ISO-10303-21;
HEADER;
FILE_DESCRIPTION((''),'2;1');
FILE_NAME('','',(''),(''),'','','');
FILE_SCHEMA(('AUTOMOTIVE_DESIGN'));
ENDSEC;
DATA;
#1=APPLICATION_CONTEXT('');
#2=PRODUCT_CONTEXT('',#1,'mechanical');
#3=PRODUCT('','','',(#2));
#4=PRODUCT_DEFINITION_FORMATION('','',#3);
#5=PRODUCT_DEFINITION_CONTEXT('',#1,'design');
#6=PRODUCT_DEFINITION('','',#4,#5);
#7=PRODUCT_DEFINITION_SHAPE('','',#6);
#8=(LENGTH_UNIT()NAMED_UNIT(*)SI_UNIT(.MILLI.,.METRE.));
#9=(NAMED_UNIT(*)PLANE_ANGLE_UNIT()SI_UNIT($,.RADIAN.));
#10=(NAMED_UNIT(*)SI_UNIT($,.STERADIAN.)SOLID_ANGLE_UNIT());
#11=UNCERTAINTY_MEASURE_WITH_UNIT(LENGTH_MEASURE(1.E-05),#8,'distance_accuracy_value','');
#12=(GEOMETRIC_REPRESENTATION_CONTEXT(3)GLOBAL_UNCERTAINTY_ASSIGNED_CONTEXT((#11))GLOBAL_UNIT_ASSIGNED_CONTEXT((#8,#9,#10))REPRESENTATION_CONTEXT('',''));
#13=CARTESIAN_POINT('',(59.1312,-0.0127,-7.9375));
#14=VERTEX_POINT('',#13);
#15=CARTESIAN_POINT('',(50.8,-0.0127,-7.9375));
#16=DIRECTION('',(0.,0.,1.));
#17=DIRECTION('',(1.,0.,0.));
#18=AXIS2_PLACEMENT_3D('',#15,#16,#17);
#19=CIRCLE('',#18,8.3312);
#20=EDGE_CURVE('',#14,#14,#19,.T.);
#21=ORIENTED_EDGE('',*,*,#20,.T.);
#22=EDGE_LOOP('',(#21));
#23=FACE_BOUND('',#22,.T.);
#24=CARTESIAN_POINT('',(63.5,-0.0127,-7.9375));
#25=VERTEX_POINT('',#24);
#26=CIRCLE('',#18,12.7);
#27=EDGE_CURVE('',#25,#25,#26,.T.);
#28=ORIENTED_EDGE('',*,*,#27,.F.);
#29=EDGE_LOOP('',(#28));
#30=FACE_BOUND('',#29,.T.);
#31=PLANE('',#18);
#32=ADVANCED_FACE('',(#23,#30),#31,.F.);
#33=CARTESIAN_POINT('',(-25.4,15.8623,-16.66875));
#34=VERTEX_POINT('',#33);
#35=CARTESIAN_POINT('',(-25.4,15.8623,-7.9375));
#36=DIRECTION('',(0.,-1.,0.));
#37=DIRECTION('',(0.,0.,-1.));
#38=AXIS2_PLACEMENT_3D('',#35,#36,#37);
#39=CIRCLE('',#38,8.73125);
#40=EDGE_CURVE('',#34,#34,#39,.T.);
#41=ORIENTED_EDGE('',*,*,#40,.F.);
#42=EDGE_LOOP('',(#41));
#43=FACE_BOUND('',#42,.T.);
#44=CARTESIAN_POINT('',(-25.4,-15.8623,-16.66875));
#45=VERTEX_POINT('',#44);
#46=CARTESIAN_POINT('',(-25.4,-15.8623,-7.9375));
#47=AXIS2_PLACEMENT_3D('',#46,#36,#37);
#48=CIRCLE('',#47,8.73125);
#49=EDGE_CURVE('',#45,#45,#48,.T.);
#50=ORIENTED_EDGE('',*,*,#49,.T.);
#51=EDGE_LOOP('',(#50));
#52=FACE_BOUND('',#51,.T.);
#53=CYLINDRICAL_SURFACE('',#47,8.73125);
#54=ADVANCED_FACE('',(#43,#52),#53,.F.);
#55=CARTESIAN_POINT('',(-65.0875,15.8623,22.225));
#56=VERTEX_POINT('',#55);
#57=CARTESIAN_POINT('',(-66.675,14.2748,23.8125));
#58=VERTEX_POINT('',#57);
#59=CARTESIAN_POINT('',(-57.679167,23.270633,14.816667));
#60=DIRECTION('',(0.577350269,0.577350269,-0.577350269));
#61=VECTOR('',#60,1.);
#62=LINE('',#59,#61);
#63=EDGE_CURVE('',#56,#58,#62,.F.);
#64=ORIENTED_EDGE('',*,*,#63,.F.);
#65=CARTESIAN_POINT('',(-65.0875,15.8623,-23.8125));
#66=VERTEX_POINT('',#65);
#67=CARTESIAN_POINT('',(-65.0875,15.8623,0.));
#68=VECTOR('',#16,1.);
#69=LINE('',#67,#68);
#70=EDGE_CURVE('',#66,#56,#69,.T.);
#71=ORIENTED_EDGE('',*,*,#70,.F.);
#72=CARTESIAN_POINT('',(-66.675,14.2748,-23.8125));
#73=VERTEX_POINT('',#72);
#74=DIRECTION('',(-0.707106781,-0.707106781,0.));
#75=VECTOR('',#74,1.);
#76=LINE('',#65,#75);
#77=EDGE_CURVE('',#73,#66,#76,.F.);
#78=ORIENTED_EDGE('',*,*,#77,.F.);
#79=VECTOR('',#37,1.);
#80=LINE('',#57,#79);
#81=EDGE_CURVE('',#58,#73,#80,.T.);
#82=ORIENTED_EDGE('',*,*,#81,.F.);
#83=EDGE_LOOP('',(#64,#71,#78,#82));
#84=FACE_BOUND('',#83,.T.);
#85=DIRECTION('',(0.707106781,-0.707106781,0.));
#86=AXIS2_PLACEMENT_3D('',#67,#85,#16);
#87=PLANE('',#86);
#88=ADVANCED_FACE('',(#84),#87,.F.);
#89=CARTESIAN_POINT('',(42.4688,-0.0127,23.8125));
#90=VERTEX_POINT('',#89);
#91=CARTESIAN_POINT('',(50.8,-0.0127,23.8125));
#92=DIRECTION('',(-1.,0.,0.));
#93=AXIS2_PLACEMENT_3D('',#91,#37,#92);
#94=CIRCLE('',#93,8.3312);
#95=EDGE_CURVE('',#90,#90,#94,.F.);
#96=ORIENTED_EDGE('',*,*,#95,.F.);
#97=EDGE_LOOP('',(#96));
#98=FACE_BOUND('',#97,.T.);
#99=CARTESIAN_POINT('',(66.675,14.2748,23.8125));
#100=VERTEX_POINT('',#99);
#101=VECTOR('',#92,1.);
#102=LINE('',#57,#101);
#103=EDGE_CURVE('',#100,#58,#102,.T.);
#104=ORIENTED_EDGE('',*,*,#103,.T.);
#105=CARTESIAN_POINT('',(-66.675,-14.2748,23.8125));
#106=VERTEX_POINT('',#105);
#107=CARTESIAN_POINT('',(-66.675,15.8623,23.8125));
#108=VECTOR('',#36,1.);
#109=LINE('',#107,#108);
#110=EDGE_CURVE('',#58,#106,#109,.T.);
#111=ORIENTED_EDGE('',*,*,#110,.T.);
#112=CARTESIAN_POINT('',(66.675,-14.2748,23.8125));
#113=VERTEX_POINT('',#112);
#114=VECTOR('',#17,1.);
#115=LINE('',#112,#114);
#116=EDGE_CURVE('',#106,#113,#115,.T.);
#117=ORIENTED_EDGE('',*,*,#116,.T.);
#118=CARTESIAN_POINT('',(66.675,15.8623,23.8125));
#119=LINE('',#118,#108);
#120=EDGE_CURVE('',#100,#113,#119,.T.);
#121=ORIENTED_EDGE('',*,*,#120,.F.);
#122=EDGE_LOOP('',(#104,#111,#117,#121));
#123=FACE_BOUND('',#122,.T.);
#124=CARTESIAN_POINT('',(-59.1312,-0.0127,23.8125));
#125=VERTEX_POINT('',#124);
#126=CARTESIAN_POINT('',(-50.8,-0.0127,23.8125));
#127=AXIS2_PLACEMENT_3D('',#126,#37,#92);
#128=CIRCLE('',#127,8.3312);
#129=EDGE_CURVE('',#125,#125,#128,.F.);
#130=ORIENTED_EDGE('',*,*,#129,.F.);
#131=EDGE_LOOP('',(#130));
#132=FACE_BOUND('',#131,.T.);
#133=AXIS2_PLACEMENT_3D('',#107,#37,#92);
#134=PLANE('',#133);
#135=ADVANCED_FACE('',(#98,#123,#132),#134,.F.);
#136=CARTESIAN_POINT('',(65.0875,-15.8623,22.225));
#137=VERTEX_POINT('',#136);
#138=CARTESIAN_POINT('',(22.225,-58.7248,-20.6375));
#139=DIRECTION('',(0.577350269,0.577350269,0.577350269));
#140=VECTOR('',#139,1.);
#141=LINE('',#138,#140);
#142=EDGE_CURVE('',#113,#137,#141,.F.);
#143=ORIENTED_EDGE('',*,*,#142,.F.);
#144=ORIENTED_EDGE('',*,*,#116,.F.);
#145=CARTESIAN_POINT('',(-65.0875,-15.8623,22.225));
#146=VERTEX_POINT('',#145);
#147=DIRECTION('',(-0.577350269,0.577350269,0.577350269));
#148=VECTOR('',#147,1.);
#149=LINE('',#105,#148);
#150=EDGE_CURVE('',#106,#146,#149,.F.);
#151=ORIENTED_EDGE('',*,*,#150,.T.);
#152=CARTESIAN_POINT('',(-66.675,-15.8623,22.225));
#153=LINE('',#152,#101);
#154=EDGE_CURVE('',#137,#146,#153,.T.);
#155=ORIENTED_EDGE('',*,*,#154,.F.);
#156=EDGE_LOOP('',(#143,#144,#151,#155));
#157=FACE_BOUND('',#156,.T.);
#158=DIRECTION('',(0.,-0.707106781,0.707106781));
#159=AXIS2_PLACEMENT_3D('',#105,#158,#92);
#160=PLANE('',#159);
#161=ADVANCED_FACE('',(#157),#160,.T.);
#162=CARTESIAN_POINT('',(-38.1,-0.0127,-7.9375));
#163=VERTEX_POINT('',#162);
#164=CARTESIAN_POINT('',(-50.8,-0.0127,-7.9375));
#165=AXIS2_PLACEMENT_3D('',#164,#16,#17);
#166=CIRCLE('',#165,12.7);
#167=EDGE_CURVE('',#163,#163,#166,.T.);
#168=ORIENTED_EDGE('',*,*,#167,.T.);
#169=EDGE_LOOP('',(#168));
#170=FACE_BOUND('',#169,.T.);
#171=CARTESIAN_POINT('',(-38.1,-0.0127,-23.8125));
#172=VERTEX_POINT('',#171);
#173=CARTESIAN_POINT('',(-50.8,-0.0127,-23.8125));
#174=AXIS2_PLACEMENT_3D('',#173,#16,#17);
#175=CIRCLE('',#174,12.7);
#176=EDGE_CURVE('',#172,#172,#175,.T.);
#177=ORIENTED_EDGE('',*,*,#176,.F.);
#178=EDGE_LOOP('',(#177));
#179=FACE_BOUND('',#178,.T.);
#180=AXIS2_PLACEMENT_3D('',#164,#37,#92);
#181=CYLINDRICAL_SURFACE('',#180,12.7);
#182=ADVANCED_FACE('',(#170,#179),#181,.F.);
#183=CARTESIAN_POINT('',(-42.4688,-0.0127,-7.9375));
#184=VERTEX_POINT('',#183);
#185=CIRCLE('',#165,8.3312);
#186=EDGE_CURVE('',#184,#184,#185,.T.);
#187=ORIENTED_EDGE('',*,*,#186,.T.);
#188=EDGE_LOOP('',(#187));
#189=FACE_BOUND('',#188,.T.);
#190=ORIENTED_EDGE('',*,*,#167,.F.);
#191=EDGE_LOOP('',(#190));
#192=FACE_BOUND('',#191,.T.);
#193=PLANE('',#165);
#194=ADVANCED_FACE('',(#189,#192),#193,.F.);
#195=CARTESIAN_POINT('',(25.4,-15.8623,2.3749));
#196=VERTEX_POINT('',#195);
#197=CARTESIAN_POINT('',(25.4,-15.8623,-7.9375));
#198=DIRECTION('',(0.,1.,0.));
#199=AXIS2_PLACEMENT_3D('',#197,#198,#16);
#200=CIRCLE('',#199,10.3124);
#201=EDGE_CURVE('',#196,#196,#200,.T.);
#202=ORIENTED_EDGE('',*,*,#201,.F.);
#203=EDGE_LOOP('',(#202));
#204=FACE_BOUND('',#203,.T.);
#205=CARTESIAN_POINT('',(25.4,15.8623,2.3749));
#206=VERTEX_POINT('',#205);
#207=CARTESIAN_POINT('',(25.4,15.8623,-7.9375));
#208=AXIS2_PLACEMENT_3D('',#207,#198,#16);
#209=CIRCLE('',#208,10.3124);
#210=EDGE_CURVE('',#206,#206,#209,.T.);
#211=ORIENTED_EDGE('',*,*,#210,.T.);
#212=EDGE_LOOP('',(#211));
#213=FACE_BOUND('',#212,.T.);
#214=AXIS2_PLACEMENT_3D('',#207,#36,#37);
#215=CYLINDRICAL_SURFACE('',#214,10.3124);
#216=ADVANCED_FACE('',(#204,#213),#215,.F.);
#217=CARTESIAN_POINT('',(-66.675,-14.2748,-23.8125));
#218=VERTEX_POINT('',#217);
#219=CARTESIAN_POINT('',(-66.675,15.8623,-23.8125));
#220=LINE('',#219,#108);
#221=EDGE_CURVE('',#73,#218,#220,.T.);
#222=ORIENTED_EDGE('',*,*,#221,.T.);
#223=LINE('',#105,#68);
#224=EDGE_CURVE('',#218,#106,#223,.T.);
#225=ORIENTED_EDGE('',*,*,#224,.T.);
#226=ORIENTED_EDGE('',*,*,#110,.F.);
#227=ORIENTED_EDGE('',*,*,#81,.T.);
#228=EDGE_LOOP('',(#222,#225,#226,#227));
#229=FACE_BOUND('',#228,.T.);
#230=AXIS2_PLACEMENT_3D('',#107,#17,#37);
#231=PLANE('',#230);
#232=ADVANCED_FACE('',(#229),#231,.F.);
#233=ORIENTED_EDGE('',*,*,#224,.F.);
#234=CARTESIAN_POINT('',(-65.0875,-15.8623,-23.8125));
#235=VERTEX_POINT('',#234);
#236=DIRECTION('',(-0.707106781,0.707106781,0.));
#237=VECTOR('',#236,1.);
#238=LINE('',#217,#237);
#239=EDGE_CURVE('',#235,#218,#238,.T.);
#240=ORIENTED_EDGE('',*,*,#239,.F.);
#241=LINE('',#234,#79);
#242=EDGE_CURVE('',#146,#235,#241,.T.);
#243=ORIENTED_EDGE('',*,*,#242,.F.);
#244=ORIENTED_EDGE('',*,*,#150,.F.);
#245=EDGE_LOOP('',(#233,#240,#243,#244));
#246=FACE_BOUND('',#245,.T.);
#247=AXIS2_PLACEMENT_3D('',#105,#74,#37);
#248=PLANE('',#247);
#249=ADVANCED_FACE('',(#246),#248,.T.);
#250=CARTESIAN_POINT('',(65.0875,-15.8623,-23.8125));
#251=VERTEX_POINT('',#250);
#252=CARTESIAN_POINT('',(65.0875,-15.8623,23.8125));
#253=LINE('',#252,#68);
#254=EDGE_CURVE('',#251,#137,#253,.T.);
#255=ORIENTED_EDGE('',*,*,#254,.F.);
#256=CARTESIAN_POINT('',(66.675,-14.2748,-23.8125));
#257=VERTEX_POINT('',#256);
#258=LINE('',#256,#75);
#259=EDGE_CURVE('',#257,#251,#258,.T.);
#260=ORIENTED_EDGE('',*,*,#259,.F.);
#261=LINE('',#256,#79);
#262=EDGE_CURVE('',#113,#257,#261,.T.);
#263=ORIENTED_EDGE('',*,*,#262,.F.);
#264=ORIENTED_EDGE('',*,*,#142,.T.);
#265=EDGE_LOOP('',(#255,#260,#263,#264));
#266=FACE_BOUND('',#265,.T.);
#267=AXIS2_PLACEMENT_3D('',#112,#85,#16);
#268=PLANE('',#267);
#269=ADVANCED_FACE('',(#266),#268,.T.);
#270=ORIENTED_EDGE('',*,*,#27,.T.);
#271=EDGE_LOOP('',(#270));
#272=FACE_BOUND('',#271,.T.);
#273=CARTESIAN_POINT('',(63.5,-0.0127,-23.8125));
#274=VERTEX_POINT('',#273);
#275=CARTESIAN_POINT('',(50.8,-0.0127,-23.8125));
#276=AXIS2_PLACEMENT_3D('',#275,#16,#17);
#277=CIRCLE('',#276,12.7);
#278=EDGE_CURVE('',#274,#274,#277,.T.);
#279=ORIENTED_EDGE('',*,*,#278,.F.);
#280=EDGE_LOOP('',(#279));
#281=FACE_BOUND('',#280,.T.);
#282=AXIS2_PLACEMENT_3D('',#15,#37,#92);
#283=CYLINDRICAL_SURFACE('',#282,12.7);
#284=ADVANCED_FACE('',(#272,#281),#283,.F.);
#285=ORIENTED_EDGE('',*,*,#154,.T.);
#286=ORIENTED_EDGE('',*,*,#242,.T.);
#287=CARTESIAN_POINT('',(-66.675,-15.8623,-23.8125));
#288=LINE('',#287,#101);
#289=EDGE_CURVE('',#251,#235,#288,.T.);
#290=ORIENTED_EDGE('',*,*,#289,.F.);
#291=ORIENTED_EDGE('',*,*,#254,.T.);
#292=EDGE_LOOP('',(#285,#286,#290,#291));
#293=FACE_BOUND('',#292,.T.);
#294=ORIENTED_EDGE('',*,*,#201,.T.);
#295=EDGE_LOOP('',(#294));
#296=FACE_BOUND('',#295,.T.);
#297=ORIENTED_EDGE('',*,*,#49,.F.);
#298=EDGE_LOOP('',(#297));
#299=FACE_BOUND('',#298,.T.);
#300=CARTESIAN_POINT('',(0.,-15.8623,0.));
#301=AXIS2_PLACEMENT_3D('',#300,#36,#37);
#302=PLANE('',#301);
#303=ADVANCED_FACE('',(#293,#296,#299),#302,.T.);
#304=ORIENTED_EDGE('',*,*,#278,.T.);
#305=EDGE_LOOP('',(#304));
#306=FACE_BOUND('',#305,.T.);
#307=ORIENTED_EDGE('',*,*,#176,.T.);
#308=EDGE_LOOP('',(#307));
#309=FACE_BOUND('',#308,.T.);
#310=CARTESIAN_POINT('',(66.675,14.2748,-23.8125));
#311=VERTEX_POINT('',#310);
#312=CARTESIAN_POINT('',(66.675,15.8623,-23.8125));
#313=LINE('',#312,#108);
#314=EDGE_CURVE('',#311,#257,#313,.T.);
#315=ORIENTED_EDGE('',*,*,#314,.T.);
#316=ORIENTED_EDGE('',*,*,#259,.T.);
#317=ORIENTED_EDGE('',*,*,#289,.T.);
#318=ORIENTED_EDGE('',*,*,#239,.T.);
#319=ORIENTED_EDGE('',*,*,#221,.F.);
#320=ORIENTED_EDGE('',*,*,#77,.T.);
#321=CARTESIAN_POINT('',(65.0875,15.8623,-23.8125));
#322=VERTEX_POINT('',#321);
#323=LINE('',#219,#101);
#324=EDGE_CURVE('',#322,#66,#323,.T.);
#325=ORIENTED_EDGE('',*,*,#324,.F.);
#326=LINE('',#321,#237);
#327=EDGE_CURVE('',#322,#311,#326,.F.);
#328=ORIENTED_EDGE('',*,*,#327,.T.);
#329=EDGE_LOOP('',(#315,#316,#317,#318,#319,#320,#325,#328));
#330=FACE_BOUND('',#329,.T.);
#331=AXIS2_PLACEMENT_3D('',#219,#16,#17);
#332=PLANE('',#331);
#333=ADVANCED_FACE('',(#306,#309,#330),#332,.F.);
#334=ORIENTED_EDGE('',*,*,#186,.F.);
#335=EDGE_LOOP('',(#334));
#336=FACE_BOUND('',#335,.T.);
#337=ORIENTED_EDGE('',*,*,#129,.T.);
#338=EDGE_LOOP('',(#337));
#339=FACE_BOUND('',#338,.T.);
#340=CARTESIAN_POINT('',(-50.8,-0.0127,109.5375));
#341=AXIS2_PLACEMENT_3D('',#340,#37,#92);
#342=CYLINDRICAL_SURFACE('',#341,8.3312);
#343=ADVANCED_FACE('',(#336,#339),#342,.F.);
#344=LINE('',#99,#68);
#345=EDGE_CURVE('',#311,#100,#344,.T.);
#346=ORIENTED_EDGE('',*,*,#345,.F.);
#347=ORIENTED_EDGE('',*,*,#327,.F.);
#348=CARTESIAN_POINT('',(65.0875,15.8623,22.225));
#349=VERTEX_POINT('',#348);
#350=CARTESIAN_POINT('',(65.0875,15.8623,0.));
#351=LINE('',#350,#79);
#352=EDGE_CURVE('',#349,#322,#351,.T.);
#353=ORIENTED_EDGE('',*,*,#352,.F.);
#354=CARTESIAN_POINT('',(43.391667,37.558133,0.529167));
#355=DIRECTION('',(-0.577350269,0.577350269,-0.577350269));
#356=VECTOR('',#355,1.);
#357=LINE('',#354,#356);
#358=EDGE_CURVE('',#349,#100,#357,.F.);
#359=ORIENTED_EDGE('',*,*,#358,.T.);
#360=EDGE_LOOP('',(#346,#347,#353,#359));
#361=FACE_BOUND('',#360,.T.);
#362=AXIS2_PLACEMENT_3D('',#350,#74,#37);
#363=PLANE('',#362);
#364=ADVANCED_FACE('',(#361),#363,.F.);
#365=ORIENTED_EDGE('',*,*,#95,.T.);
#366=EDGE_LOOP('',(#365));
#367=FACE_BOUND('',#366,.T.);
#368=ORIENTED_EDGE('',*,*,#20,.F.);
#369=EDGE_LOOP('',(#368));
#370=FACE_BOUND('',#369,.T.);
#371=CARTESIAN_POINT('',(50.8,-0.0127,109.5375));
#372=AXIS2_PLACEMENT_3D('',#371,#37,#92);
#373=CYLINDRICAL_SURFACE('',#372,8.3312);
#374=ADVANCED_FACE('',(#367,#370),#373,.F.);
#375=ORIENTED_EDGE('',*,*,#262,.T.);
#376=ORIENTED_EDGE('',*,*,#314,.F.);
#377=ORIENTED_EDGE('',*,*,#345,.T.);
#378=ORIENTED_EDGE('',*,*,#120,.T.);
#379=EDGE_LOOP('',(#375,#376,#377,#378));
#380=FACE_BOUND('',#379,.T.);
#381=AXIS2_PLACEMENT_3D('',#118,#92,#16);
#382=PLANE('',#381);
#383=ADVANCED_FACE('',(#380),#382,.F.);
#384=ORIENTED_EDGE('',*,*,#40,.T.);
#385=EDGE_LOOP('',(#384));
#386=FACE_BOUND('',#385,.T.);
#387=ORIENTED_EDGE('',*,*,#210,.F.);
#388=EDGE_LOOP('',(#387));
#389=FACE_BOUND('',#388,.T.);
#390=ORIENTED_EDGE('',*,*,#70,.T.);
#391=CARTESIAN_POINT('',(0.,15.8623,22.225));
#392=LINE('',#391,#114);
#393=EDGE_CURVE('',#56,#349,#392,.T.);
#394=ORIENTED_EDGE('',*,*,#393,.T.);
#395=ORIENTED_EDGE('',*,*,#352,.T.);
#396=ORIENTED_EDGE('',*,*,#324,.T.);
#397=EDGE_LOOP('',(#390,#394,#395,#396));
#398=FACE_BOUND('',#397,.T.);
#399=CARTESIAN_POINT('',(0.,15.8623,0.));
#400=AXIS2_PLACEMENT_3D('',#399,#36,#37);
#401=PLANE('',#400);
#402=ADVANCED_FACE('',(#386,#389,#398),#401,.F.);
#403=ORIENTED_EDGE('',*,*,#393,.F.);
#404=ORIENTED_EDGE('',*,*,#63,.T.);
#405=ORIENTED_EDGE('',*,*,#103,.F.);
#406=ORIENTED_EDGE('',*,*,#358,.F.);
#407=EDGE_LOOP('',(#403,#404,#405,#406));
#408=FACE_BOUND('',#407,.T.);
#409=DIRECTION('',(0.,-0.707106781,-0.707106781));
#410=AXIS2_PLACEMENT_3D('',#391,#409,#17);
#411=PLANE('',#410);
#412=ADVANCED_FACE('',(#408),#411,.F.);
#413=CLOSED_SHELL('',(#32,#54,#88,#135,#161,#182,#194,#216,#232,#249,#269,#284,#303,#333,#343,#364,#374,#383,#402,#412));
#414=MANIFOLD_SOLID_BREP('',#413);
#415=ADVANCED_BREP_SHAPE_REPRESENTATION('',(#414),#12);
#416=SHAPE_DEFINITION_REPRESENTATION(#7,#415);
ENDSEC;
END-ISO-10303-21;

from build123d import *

# Parameters (mm, degrees)
SKETCH1_W                   = 133.35
SKETCH1_H                   = 47.625
BOSS_EXTRUDE1_DEPTH         = 15.8623
CUT_EXTRUDE2_START          = -23.8125
SKETCH2_R                   = 8.3312
CUT_EXTRUDE2_DEPTH          = 133.35
CUT_EXTRUDE4_START          = -23.8125
SKETCH3_R                   = 12.7
CUT_EXTRUDE4_DEPTH          = 15.875
CUT_EXTRUDE6_START          = -15.8623
SKETCH4_R                   = 10.3124
CUT_EXTRUDE6_DEPTH          = 89.417129905
F_3_4_16_TAPPED_HOLE1_D     = 17.4625
F_3_4_16_TAPPED_HOLE1_DEPTH = 31.7246
F_3_4_16_TAPPED_HOLE1_TIP   = 5.24626428
CHAMFER1_SIZE               = 1.5875


with BuildPart() as part:
    # Sketch1 → Boss-Extrude1 (new, symmetric)
    with BuildSketch(Plane(origin=(0, 0, 0), x_dir=(1, 0, 0), z_dir=(0, 1, 0))):
        Rectangle(SKETCH1_W, SKETCH1_H)
    extrude(amount=BOSS_EXTRUDE1_DEPTH, both=True)

    # Sketch2 → Cut-Extrude2 (cut)
    with BuildSketch(Plane.XY.offset(CUT_EXTRUDE2_START)):
        with Locations(Location((-50.8, -0.0127, 0), (0, 0, 180))):
            Circle(SKETCH2_R)
        with Locations(Location((50.8, -0.0127, 0), (0, 0, 180))):
            Circle(SKETCH2_R)
    extrude(amount=CUT_EXTRUDE2_DEPTH, mode=Mode.SUBTRACT)

    # Sketch3 → Cut-Extrude4 (cut)
    with BuildSketch(Plane.XY.offset(CUT_EXTRUDE4_START)):
        with Locations((-50.8, -0.0127)):
            Circle(SKETCH3_R)
        with Locations((50.8, -0.0127)):
            Circle(SKETCH3_R)
    extrude(amount=CUT_EXTRUDE4_DEPTH, mode=Mode.SUBTRACT)

    # Sketch4 → Cut-Extrude6 (cut, through all)
    with BuildSketch(Plane(origin=(0, 0, 0), x_dir=(1, 0, 0), z_dir=(0, 1, 0)).offset(CUT_EXTRUDE6_START)):
        with Locations(Location((25.4, 7.9375, 0), (0, 0, 270))):
            Circle(SKETCH4_R)
    extrude(amount=CUT_EXTRUDE6_DEPTH, mode=Mode.SUBTRACT)

    # 3/4-16 Tapped Hole1
    with Locations(Plane(origin=(0, -15.8623, 0), x_dir=(-1, 0, 0), z_dir=(0, -1, 0))):
        with Locations((25.4, 7.9375)):
            Hole(F_3_4_16_TAPPED_HOLE1_D / 2, depth=F_3_4_16_TAPPED_HOLE1_DEPTH)
            with Locations((0, 0, -(F_3_4_16_TAPPED_HOLE1_DEPTH + F_3_4_16_TAPPED_HOLE1_TIP / 2))):  # 118° drill point
                Cone(0, F_3_4_16_TAPPED_HOLE1_D / 2, F_3_4_16_TAPPED_HOLE1_TIP, mode=Mode.SUBTRACT)

    # Chamfer1
    chamfer1_edges = [part.edges().sort_by_distance(p)[0] for p in [
        (-66.675, 15.8623, 0),
        (0, 15.8623, 23.8125),
        (66.675, 15.8623, 0),
        (0, -15.8623, 23.8125),
        (-66.675, -15.8623, 0),
        (66.675, -15.8623, 0),
    ]]
    chamfer(chamfer1_edges, length=CHAMFER1_SIZE)


solid = part.part
